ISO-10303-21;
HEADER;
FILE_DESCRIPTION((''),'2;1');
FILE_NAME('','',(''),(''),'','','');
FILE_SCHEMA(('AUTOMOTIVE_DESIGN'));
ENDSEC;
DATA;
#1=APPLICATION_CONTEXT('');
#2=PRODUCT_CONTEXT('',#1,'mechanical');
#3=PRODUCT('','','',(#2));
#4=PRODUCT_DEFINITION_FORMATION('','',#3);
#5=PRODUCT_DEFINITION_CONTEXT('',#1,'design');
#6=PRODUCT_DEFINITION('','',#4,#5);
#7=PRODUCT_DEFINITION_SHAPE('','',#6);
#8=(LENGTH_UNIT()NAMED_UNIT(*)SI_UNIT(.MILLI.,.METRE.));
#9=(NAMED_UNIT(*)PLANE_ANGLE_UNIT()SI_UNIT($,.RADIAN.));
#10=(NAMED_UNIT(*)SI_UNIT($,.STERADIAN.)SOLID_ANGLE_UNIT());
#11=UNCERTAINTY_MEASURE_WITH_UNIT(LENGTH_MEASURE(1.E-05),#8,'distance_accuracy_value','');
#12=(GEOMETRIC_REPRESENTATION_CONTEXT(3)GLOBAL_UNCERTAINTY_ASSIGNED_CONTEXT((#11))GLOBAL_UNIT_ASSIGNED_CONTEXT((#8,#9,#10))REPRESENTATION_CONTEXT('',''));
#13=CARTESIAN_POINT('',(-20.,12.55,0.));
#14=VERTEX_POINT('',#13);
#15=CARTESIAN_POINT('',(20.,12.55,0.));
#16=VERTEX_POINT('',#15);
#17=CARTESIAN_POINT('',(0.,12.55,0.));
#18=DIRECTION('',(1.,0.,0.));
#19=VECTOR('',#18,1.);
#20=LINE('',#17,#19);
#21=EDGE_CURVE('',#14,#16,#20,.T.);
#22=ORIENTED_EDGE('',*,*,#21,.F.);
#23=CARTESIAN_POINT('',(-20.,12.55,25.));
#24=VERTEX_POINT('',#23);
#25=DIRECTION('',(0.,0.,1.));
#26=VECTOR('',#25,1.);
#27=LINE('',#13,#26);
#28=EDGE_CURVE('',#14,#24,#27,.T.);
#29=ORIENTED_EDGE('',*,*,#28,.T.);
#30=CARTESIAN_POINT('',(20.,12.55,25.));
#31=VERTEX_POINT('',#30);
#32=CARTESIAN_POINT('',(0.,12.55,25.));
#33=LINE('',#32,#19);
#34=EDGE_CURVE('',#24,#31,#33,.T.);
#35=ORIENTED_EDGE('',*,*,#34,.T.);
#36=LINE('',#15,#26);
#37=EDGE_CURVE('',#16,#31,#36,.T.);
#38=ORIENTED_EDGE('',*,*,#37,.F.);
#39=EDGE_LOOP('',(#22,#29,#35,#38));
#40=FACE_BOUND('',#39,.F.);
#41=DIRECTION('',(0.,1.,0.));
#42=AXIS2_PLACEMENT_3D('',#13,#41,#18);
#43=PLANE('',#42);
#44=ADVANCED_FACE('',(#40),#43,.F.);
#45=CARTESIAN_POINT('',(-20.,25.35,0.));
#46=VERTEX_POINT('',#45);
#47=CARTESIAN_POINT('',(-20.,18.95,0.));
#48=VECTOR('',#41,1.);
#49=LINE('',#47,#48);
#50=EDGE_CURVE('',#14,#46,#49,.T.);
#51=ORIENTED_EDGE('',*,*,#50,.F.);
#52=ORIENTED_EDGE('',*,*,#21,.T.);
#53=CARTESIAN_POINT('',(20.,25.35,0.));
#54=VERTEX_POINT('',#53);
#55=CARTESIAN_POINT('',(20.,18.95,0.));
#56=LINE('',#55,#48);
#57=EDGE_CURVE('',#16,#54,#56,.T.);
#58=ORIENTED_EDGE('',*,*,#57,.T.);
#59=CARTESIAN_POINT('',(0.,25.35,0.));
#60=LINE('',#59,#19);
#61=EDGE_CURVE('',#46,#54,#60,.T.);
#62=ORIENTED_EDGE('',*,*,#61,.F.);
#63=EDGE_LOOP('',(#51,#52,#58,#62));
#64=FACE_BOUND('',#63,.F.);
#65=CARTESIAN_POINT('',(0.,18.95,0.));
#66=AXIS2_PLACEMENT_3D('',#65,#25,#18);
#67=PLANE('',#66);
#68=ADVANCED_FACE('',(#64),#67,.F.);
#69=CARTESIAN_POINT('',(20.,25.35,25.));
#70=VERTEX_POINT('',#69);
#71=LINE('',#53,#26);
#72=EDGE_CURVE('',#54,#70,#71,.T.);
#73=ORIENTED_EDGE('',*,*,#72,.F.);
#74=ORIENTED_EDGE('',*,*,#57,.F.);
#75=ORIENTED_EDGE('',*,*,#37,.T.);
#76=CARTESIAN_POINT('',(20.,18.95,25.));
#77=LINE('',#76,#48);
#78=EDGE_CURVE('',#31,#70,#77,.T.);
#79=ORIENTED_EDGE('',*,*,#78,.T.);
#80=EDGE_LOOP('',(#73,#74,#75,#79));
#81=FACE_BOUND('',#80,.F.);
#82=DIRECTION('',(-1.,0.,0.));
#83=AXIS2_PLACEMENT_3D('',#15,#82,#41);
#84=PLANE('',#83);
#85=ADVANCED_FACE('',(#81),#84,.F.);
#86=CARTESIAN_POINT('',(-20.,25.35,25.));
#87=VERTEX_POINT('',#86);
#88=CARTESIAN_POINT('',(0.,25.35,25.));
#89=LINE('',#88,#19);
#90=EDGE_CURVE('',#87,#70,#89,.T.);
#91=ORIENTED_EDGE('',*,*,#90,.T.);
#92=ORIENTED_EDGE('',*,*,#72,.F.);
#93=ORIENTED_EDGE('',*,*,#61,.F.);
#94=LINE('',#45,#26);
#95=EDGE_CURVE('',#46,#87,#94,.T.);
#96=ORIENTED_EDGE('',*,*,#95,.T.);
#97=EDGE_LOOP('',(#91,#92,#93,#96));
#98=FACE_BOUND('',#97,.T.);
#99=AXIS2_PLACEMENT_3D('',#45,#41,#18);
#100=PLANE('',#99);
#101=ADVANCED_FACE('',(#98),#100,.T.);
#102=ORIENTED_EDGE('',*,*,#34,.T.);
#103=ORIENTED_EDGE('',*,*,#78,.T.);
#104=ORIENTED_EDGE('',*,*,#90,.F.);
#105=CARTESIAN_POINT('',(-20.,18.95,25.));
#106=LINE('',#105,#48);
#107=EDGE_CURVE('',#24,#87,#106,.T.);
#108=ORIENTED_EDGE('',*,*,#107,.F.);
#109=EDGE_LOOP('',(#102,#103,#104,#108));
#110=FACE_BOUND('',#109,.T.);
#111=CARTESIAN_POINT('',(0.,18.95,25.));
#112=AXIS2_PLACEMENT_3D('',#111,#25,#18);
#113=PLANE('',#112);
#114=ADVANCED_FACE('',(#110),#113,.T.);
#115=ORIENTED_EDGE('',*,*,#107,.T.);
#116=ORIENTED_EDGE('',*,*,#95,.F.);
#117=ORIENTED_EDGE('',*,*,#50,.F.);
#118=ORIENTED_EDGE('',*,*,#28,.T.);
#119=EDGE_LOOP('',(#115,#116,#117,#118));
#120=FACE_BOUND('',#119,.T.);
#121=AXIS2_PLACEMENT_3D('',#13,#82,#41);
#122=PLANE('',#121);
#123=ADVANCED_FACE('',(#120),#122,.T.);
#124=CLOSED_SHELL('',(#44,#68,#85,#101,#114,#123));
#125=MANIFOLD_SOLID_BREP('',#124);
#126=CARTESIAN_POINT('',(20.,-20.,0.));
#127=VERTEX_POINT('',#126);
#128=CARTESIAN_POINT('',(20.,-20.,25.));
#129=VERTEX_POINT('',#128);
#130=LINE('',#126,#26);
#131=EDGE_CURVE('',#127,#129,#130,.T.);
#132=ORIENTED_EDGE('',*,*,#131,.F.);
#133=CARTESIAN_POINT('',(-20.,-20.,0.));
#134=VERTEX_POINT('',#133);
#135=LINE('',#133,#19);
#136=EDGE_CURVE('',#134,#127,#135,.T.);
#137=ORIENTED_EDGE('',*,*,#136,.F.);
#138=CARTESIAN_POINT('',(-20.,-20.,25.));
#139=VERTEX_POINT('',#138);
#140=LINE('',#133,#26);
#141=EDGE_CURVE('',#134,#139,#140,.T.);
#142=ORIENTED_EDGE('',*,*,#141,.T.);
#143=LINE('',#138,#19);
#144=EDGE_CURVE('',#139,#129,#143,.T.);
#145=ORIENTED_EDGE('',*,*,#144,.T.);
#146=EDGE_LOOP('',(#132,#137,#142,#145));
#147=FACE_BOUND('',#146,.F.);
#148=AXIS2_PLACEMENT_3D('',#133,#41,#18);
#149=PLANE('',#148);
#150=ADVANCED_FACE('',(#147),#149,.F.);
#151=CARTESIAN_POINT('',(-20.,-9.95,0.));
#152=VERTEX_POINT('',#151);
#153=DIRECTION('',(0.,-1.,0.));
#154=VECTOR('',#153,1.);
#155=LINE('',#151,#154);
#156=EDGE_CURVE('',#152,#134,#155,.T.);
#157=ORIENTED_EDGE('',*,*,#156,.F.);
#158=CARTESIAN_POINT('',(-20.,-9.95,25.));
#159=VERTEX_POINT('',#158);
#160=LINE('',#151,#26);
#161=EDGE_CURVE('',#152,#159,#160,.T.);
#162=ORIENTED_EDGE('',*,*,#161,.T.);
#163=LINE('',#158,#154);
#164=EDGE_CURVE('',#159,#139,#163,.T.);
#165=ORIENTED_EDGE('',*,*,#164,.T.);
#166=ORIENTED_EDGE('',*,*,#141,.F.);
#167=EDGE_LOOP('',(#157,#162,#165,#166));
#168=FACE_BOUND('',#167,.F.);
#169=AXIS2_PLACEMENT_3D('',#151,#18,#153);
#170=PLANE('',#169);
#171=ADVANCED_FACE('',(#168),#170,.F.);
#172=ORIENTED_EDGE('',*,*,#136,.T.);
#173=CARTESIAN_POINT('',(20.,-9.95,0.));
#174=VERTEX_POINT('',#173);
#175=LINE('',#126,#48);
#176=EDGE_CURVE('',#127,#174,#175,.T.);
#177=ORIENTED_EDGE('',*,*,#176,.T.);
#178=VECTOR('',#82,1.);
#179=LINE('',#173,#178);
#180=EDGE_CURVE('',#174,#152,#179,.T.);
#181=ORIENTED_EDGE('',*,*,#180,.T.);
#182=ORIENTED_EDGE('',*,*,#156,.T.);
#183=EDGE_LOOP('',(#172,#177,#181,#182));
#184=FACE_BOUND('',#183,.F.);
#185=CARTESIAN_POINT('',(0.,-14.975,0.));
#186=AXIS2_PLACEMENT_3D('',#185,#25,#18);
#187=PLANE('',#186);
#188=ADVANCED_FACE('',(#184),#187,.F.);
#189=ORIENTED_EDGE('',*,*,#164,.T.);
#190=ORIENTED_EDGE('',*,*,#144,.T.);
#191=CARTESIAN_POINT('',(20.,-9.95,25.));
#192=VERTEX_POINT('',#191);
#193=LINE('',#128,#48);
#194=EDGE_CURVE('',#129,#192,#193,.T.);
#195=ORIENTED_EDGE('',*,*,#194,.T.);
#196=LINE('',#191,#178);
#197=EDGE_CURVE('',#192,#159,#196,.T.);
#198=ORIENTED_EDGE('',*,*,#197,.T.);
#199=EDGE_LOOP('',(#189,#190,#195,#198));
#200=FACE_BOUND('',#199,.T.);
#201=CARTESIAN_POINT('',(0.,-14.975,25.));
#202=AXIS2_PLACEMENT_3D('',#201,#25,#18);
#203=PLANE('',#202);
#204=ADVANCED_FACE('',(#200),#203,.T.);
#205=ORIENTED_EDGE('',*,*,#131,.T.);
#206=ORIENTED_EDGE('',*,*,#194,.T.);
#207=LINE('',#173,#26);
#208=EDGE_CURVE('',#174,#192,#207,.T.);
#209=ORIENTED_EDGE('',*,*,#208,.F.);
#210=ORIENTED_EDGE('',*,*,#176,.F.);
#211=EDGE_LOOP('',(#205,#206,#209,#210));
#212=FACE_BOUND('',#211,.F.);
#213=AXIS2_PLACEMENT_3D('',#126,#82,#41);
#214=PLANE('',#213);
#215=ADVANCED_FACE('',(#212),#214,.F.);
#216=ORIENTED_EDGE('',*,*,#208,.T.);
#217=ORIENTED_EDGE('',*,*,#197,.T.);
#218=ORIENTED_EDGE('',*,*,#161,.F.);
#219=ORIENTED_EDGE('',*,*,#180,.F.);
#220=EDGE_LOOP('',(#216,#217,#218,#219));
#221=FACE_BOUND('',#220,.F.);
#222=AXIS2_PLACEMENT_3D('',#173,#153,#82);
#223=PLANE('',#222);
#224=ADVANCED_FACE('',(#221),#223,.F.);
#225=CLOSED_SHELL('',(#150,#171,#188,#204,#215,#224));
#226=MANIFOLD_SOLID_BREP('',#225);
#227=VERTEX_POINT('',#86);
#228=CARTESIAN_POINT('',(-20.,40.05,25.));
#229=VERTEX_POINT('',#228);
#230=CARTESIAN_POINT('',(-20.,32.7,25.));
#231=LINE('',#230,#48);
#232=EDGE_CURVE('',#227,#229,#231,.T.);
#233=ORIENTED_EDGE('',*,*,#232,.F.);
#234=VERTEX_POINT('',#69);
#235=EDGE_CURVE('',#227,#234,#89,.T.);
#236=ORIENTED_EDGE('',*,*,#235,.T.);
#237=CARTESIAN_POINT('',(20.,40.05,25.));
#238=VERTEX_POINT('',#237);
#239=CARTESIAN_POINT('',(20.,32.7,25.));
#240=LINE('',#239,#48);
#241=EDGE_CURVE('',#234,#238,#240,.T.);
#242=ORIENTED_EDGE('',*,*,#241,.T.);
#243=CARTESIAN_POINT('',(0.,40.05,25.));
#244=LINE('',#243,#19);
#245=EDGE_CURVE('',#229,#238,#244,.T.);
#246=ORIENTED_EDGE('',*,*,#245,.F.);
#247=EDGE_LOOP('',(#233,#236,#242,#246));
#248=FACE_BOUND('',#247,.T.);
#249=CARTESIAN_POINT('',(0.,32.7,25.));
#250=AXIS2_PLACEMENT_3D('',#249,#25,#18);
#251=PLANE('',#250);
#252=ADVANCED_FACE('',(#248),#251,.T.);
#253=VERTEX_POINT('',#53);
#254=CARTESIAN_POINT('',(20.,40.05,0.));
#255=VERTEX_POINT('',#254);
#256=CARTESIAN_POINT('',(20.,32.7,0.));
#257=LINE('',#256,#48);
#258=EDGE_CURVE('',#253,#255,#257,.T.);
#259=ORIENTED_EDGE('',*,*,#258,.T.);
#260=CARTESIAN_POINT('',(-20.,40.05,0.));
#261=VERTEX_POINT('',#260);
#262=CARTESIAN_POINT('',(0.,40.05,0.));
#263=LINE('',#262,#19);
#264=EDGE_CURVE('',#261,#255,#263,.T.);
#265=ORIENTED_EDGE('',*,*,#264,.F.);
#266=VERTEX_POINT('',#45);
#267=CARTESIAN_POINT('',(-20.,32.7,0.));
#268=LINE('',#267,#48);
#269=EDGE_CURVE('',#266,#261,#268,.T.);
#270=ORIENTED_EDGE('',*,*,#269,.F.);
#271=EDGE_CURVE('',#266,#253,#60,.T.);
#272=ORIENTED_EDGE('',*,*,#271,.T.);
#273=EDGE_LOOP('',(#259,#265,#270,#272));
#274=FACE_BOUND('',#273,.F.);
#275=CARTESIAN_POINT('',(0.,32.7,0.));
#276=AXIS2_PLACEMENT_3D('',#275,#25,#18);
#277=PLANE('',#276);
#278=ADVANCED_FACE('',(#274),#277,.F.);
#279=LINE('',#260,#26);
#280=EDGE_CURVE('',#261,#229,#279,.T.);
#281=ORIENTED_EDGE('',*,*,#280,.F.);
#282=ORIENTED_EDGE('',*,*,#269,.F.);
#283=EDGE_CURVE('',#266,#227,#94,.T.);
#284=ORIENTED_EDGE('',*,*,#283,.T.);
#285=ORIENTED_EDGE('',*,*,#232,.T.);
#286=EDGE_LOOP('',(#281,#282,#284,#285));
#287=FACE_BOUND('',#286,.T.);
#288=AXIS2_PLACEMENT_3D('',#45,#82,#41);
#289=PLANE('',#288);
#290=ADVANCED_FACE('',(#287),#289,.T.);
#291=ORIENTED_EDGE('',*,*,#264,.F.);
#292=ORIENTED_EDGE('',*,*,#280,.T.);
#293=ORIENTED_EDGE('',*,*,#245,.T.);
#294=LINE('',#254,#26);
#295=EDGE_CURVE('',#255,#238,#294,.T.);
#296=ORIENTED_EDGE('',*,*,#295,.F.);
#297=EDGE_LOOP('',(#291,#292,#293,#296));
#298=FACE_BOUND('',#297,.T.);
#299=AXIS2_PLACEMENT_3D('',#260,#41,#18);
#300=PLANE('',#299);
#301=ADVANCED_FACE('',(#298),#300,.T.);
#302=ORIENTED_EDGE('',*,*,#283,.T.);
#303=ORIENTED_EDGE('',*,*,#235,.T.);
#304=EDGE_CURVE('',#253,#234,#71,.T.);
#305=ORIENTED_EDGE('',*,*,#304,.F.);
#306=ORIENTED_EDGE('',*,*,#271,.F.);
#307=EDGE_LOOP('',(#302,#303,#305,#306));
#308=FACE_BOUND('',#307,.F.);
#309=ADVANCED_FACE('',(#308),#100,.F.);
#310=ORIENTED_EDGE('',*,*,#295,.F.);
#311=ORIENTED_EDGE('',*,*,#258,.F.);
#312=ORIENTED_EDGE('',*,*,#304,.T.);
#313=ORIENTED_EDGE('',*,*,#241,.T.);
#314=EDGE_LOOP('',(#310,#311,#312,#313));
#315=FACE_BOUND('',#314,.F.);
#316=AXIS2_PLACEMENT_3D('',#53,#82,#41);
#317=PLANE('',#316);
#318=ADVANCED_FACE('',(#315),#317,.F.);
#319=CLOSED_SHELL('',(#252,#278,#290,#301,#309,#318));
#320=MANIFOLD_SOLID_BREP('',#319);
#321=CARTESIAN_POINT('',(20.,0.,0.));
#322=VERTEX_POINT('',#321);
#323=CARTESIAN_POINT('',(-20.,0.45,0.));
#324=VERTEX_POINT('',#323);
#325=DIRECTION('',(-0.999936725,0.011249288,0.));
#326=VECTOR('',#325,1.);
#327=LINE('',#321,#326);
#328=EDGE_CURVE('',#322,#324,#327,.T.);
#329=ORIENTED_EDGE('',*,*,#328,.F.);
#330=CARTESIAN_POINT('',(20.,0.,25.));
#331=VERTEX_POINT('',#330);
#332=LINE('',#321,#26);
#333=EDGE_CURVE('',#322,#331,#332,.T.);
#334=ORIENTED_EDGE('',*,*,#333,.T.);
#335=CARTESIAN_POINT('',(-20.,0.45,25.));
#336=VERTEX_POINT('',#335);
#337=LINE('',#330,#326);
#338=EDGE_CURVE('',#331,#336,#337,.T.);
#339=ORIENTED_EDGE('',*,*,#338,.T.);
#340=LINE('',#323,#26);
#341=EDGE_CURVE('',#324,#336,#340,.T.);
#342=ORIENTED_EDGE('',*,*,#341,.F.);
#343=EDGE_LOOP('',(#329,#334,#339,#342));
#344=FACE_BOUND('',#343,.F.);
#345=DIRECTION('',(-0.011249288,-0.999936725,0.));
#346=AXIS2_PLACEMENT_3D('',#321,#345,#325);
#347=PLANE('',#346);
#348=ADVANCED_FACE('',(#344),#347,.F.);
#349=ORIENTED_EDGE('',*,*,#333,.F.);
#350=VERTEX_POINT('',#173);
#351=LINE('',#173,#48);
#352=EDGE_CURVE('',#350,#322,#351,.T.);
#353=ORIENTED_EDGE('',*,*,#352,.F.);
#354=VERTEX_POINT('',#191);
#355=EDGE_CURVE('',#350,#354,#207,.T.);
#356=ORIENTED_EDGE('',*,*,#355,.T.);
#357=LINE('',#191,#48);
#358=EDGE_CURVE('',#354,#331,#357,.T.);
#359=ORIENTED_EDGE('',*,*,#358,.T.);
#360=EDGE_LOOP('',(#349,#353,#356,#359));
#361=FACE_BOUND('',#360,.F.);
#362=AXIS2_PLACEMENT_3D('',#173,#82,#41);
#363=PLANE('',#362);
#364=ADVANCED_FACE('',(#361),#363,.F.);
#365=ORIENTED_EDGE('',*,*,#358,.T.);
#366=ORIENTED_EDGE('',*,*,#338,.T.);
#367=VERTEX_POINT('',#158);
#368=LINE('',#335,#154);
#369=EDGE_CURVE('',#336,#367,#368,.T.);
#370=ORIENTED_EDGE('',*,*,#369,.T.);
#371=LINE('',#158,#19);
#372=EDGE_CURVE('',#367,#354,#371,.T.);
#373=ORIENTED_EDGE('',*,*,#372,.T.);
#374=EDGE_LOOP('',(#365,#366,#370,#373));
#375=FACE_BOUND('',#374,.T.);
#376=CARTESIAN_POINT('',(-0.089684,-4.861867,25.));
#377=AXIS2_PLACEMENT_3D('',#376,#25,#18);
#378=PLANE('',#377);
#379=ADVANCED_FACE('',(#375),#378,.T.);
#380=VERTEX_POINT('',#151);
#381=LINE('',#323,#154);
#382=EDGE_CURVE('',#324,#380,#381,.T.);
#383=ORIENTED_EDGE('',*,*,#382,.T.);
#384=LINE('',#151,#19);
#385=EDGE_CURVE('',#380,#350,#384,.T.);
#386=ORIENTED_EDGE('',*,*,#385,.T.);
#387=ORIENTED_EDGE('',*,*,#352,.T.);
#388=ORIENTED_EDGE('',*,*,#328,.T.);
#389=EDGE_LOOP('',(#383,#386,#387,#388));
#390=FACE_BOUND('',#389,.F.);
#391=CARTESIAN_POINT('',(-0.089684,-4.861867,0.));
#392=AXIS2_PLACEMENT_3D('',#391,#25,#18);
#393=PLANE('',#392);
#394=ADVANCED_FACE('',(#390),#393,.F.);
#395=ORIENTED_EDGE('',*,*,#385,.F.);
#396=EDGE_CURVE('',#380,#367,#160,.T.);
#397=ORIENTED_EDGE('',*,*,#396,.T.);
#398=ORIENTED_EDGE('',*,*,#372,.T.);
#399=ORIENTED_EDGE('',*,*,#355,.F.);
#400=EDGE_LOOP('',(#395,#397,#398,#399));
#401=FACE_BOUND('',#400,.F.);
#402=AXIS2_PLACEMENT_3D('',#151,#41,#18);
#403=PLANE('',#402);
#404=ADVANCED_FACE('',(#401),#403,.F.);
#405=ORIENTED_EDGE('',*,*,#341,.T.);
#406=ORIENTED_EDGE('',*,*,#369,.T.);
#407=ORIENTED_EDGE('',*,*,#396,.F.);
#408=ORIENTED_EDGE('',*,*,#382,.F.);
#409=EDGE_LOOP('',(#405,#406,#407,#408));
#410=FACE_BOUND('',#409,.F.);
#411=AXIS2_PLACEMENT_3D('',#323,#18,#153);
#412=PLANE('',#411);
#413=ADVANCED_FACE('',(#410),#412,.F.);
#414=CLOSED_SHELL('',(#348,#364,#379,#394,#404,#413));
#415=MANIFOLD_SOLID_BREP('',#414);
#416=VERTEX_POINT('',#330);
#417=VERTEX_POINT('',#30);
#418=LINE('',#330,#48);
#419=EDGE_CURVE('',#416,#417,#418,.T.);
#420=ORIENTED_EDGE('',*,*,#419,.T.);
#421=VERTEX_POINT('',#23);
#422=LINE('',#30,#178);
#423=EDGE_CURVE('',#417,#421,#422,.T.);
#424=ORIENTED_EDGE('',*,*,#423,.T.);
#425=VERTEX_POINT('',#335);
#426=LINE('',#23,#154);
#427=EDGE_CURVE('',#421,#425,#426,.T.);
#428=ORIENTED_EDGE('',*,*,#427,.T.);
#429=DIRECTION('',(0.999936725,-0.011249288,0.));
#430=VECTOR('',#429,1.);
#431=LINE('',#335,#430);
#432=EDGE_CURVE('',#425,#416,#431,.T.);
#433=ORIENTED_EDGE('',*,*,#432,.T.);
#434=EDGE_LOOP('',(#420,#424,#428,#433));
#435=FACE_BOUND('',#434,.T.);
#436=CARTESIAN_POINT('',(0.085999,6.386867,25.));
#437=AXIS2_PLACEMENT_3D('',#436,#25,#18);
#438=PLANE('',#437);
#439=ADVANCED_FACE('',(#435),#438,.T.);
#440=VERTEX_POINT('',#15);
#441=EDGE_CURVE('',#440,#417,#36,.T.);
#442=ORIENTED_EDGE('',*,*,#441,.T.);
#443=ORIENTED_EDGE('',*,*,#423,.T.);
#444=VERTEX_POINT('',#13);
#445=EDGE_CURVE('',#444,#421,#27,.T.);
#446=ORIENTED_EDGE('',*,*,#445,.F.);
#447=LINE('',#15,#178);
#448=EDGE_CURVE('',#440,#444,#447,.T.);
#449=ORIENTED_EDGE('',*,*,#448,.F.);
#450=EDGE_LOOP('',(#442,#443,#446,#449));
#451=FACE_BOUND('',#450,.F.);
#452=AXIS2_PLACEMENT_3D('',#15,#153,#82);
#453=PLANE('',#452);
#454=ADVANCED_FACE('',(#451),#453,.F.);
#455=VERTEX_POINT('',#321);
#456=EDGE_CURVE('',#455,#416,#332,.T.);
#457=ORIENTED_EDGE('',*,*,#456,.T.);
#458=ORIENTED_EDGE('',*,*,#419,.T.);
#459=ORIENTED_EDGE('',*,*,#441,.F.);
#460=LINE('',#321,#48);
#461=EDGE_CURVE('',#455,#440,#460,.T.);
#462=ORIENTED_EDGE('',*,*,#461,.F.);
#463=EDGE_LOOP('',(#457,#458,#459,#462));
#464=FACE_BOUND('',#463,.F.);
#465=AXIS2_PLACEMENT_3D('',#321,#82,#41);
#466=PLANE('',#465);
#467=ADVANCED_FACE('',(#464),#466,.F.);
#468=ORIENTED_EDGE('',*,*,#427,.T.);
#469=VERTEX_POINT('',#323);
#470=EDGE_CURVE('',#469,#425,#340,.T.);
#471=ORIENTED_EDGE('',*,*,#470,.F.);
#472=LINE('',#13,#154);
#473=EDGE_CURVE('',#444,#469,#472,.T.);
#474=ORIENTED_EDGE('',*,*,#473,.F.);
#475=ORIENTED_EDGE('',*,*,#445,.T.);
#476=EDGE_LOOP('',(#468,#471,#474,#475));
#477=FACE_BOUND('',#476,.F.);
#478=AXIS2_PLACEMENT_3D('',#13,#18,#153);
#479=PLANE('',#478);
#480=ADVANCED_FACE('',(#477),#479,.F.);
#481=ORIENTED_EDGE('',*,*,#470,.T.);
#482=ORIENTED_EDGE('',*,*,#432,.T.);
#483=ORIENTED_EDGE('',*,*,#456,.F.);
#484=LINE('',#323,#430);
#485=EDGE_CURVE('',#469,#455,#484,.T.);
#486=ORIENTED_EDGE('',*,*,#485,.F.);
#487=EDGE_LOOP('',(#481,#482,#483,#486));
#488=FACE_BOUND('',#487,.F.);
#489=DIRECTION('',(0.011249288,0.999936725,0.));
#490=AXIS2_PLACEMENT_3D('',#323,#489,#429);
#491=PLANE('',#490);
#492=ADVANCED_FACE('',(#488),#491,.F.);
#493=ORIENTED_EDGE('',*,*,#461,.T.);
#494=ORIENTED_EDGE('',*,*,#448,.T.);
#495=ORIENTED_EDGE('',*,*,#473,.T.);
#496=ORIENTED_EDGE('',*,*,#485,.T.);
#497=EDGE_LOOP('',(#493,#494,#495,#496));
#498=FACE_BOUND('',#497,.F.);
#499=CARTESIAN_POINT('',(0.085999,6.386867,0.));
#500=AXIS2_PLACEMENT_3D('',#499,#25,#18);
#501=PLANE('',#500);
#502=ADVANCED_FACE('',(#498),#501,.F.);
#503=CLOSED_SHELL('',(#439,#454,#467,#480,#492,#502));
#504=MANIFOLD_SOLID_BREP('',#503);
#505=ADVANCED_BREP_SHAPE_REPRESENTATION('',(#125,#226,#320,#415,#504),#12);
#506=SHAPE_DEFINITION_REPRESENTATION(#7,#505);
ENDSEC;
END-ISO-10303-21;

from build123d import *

# Parameters (mm, degrees)
F0_W     = 40
F0_H     = 14.7
F1_DEPTH = 25
F0_H_2   = 12.8
F2_DEPTH = 25
F3_DEPTH = 25
F4_DEPTH = 25
F5_DEPTH = 25


with BuildPart() as f1:
    # F0 (on Top) → F1 (new body)
    with BuildSketch(Plane.XY):
        with Locations((0, 32.7)):
            Rectangle(F0_W, F0_H)
    extrude(amount=F1_DEPTH)


with BuildPart() as f2:
    # F0 (on Top) → F2 (new body)
    with BuildSketch(Plane.XY):
        with Locations((0, 18.95)):
            Rectangle(F0_W, F0_H_2)
    extrude(amount=F2_DEPTH)


with BuildPart() as f3:
    # F0 (on Top) → F3 (new body)
    with BuildSketch(Plane.XY):
        Polygon((-20, 12.55), (-20, 0.45), (20, 0), (20, 12.55), align=None)
    extrude(amount=F3_DEPTH)


with BuildPart() as f4:
    # F0 (on Top) → F4 (new body)
    with BuildSketch(Plane.XY):
        Polygon((-20, 0.45), (-20, -9.95), (20, -9.95), (20, 0), align=None)
    extrude(amount=F4_DEPTH)


with BuildPart() as f5:
    # F0 (on Top) → F5 (new body)
    with BuildSketch(Plane.XY):
        Polygon((-20, -20), (0, -20), (20, -20), (20, -9.95), (-20, -9.95), align=None)
    extrude(amount=F5_DEPTH)


solid = Compound([f1.part, f2.part, f3.part, f4.part, f5.part])
